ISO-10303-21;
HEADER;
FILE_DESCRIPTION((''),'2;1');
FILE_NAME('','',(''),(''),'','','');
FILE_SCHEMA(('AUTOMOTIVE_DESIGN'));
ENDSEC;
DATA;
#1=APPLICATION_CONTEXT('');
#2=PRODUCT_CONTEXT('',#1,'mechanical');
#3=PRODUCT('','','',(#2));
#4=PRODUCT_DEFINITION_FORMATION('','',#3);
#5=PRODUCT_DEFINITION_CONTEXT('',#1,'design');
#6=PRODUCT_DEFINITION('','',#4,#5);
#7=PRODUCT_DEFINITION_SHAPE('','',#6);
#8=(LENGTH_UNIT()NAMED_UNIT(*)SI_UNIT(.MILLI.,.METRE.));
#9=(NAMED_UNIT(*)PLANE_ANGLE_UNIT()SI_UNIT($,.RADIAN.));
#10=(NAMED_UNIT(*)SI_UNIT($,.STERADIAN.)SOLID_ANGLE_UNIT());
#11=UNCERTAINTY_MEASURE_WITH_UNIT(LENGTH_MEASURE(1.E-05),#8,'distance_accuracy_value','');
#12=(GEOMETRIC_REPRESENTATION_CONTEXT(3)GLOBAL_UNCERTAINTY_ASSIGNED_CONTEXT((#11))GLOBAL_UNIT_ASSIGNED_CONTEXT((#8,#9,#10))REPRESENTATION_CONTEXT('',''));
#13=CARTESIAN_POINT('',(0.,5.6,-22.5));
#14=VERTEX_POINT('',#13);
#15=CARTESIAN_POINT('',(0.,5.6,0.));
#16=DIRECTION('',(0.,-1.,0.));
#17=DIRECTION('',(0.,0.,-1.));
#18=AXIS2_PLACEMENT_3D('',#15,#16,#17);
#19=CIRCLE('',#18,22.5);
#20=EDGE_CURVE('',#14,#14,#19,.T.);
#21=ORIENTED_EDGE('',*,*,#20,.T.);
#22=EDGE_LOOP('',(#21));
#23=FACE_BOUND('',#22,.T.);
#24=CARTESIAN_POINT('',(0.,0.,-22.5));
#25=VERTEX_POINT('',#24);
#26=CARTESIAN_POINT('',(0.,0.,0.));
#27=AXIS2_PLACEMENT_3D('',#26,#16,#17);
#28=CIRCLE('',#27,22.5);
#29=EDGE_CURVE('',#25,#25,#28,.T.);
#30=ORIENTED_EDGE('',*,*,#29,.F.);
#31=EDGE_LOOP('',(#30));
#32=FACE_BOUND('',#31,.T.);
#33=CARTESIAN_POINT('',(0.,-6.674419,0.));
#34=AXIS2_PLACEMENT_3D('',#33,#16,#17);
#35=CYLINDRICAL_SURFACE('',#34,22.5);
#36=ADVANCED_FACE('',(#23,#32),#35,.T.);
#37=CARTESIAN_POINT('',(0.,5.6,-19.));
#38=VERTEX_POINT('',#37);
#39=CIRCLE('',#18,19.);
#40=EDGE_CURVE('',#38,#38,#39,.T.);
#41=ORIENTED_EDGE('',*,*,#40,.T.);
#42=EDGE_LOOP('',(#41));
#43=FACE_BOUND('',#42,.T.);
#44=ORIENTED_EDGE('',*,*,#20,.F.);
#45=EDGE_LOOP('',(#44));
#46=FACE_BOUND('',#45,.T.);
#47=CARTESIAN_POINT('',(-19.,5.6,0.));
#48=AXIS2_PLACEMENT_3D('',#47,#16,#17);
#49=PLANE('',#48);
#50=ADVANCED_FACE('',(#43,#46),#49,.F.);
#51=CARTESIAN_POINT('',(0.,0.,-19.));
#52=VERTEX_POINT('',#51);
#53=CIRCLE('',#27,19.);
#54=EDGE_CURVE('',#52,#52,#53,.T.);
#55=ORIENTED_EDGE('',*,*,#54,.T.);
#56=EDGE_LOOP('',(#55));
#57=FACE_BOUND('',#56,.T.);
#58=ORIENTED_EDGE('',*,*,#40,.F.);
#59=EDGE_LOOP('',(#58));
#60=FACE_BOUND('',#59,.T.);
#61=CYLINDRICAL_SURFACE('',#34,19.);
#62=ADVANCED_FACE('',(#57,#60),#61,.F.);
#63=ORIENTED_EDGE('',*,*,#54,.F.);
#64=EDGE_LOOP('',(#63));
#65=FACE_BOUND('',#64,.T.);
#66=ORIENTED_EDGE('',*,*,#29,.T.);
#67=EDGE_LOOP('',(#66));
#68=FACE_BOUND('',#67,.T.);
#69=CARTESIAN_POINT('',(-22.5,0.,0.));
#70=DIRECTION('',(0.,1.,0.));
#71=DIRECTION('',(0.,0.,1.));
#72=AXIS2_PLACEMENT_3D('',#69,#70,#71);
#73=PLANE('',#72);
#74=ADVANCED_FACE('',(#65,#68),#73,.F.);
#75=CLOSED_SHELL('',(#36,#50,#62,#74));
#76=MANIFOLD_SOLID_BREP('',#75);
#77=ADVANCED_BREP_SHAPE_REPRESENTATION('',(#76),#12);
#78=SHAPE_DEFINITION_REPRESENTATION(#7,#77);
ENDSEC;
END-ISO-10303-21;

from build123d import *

# Parameters (mm, degrees)
CROQUIS1_W = 3.5
CROQUIS1_H = 5.6


with BuildPart() as part:
    # Croquis1 → Revolución1 (revolve)
    with BuildSketch(Plane.XY, mode=Mode.PRIVATE) as revoluci_n1_sk:
        with Locations((-20.75, 2.8)):
            Rectangle(CROQUIS1_W, CROQUIS1_H)
    revolve(revoluci_n1_sk.sketch.rotate(Axis((0, -6.674418605, 0), (0, 1, 0)), 270), axis=Axis((0, -6.674418605, 0), (0, 1, 0)))


solid = part.part
